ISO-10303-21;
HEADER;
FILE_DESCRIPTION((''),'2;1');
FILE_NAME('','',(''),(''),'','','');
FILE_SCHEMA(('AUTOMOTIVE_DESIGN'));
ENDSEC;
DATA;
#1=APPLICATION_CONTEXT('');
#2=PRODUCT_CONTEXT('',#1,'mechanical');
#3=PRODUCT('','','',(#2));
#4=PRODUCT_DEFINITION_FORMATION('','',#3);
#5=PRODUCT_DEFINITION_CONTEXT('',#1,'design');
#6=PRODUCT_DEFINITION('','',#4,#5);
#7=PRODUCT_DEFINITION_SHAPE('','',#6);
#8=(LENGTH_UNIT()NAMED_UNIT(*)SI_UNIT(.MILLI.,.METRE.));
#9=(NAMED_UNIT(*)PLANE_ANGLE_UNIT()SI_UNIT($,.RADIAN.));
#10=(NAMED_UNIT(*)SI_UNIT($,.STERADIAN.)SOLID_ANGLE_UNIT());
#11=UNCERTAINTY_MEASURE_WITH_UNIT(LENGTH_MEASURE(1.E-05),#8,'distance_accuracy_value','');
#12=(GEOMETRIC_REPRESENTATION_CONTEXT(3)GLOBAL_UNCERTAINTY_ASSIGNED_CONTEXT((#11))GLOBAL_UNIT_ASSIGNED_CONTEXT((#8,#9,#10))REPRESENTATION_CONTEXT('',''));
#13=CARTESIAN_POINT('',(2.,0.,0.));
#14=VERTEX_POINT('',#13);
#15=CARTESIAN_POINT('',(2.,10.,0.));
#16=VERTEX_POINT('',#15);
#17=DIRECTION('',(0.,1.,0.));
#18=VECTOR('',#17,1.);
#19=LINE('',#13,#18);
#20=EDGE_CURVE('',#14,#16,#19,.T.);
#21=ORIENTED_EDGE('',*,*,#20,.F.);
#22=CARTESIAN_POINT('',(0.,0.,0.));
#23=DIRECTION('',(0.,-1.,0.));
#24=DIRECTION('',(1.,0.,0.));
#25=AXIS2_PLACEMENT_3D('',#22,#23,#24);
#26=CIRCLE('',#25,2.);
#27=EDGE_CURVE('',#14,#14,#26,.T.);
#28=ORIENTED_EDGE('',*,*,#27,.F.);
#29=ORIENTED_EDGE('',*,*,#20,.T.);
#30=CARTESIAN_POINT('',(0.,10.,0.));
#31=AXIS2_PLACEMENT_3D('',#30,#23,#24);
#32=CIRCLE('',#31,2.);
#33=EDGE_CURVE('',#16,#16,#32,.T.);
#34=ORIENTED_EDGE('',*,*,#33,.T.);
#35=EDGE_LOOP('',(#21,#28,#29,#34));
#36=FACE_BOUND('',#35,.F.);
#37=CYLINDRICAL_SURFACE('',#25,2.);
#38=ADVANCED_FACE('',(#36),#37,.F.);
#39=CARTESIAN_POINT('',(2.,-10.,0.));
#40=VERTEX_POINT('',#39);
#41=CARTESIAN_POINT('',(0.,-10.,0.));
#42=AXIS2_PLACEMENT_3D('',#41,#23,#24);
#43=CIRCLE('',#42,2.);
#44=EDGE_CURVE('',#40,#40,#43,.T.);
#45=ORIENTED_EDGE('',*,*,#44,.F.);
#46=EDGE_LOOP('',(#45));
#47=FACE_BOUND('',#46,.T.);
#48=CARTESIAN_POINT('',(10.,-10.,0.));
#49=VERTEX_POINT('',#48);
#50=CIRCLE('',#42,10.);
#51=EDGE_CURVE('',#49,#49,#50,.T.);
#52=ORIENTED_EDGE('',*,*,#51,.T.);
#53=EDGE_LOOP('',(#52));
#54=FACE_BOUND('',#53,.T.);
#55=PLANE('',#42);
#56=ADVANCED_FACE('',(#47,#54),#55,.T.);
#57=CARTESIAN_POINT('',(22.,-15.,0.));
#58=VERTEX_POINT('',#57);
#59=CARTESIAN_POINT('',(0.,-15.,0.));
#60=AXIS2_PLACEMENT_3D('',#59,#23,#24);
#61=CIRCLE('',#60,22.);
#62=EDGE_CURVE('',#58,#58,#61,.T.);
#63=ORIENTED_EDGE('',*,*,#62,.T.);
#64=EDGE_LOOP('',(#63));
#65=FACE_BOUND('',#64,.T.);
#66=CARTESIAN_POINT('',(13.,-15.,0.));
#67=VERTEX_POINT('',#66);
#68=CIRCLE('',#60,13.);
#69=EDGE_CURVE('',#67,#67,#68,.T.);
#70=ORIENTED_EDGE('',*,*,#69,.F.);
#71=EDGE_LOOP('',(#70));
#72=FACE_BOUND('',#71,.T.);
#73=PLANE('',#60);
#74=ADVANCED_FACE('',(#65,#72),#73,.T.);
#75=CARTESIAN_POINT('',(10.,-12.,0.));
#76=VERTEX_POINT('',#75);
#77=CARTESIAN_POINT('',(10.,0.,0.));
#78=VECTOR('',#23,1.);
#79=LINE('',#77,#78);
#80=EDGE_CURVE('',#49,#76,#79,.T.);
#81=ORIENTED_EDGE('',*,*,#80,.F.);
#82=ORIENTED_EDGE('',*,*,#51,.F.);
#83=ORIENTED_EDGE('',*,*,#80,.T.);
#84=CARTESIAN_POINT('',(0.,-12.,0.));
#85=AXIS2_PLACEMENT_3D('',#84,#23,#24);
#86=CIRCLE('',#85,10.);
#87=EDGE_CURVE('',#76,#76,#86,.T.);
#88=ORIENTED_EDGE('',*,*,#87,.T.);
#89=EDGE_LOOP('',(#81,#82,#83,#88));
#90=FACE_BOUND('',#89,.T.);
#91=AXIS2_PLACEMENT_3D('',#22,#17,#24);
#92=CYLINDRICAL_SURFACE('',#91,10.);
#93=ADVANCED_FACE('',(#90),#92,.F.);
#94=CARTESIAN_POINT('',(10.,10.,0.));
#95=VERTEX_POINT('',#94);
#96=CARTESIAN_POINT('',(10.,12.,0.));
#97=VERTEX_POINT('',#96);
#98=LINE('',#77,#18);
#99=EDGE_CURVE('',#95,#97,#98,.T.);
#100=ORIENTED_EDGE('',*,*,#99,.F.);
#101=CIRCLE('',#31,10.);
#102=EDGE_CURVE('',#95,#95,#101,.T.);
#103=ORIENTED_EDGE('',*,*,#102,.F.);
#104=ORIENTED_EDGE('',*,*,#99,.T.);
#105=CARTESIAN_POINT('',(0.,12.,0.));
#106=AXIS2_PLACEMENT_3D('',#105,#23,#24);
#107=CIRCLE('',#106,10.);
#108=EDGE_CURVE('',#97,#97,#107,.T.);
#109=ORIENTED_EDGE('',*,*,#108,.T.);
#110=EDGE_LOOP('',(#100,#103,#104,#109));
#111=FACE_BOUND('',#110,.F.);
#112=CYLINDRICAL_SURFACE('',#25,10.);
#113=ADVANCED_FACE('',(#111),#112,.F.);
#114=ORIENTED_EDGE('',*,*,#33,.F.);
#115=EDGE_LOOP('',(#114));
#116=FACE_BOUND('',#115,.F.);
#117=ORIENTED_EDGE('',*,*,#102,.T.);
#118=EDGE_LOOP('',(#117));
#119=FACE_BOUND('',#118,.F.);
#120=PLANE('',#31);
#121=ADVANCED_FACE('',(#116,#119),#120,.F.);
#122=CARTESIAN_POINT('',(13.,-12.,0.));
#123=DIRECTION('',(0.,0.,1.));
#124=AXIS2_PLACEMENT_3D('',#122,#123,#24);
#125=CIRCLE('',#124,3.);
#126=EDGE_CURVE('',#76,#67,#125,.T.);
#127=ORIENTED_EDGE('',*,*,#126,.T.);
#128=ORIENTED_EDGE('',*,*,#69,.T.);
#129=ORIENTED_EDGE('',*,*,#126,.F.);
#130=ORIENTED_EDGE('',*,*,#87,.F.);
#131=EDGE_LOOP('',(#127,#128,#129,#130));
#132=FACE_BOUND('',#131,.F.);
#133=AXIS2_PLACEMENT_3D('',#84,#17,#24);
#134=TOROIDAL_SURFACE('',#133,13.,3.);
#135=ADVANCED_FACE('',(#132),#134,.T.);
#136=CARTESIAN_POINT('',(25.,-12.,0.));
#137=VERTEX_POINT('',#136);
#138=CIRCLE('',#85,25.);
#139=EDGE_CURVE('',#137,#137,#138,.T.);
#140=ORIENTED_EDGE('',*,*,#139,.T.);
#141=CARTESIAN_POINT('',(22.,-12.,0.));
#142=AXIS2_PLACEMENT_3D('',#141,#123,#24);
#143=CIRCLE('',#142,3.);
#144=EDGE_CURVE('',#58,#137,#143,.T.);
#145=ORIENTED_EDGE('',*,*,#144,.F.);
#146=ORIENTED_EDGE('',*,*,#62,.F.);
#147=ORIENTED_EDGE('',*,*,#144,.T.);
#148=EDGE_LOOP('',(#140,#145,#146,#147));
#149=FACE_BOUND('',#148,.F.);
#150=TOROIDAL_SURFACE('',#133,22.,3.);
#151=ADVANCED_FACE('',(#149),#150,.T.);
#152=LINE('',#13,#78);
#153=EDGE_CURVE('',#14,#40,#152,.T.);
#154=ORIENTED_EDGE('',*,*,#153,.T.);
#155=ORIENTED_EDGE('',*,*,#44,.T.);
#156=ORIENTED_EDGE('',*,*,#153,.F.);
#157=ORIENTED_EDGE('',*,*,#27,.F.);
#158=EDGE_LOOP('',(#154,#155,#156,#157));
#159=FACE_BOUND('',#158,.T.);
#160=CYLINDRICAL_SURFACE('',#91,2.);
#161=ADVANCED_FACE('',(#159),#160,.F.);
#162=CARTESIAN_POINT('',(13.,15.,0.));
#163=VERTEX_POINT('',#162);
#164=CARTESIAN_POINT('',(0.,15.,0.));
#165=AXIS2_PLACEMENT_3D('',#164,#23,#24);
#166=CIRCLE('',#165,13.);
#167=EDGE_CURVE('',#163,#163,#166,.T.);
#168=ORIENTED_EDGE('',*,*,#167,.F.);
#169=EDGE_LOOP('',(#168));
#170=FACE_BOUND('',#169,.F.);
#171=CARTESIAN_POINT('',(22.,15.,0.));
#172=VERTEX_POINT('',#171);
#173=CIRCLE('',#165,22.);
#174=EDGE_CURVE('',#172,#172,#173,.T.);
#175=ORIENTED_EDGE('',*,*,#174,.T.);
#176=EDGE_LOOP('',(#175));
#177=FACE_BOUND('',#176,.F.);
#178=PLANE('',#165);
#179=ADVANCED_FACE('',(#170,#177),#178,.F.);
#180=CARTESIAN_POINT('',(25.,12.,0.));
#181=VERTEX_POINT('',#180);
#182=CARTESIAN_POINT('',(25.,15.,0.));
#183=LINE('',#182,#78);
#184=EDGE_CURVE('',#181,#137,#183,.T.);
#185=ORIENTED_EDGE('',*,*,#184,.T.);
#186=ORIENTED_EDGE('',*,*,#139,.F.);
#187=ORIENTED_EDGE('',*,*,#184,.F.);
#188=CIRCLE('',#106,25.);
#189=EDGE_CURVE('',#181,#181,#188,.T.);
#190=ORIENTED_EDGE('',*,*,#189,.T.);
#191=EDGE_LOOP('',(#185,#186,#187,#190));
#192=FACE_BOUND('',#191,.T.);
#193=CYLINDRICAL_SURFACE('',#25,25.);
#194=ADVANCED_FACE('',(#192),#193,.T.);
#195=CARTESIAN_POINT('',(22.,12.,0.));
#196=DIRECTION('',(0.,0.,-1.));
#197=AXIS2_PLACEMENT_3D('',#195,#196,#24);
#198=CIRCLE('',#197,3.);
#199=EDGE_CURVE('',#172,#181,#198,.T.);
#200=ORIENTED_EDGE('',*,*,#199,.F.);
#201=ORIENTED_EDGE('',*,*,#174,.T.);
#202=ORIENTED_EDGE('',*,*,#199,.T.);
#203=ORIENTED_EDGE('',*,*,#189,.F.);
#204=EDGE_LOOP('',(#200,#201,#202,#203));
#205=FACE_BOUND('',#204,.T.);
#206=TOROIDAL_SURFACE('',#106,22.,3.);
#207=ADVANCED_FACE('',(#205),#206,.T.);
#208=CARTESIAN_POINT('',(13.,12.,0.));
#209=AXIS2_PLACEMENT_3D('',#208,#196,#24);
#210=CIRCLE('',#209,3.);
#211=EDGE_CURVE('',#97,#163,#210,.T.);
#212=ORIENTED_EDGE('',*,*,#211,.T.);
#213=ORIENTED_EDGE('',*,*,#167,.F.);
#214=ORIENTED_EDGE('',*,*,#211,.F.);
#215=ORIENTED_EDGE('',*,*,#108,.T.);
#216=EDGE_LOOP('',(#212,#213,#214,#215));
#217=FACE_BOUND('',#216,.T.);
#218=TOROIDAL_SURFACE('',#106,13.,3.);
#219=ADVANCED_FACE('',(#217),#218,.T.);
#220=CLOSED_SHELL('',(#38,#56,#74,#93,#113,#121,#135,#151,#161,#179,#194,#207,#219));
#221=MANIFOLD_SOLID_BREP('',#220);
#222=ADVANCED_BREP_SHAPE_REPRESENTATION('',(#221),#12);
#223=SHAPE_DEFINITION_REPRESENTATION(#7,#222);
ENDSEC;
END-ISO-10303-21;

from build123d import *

# Parameters (mm, degrees)
F0_R          = 25
F0_R_2        = 10
F1_DEPTH      = 15
F1_DEPTH_BACK = 15
F0_R_3        = 2
F2_DEPTH      = 10
F2_DEPTH_BACK = 10
F3_R          = 3


with BuildPart() as f1:
    # F0 (on Front) → F1 (new body, two sides)
    with BuildSketch(Plane.XZ) as f1_sk:
        Circle(F0_R)
        Circle(F0_R_2, mode=Mode.SUBTRACT)
    extrude(amount=F1_DEPTH)
    extrude(f1_sk.sketch, amount=-F1_DEPTH_BACK)

    # F0 (on Front) → F2 (join, two sides)
    with BuildSketch(Plane.XZ) as f2_sk:
        Circle(F0_R_2)
        Circle(F0_R_3, mode=Mode.SUBTRACT)
    extrude(amount=F2_DEPTH)
    extrude(f2_sk.sketch, amount=-F2_DEPTH_BACK)

    # F3
    f3_edges = [f1.edges().sort_by_distance(p)[0] for p in [
        (-25, 15, 0),
        (-25, -15, 0),
        (-10, -15, 0),
        (-10, 15, 0),
    ]]
    fillet(f3_edges, radius=F3_R)


solid = f1.part
